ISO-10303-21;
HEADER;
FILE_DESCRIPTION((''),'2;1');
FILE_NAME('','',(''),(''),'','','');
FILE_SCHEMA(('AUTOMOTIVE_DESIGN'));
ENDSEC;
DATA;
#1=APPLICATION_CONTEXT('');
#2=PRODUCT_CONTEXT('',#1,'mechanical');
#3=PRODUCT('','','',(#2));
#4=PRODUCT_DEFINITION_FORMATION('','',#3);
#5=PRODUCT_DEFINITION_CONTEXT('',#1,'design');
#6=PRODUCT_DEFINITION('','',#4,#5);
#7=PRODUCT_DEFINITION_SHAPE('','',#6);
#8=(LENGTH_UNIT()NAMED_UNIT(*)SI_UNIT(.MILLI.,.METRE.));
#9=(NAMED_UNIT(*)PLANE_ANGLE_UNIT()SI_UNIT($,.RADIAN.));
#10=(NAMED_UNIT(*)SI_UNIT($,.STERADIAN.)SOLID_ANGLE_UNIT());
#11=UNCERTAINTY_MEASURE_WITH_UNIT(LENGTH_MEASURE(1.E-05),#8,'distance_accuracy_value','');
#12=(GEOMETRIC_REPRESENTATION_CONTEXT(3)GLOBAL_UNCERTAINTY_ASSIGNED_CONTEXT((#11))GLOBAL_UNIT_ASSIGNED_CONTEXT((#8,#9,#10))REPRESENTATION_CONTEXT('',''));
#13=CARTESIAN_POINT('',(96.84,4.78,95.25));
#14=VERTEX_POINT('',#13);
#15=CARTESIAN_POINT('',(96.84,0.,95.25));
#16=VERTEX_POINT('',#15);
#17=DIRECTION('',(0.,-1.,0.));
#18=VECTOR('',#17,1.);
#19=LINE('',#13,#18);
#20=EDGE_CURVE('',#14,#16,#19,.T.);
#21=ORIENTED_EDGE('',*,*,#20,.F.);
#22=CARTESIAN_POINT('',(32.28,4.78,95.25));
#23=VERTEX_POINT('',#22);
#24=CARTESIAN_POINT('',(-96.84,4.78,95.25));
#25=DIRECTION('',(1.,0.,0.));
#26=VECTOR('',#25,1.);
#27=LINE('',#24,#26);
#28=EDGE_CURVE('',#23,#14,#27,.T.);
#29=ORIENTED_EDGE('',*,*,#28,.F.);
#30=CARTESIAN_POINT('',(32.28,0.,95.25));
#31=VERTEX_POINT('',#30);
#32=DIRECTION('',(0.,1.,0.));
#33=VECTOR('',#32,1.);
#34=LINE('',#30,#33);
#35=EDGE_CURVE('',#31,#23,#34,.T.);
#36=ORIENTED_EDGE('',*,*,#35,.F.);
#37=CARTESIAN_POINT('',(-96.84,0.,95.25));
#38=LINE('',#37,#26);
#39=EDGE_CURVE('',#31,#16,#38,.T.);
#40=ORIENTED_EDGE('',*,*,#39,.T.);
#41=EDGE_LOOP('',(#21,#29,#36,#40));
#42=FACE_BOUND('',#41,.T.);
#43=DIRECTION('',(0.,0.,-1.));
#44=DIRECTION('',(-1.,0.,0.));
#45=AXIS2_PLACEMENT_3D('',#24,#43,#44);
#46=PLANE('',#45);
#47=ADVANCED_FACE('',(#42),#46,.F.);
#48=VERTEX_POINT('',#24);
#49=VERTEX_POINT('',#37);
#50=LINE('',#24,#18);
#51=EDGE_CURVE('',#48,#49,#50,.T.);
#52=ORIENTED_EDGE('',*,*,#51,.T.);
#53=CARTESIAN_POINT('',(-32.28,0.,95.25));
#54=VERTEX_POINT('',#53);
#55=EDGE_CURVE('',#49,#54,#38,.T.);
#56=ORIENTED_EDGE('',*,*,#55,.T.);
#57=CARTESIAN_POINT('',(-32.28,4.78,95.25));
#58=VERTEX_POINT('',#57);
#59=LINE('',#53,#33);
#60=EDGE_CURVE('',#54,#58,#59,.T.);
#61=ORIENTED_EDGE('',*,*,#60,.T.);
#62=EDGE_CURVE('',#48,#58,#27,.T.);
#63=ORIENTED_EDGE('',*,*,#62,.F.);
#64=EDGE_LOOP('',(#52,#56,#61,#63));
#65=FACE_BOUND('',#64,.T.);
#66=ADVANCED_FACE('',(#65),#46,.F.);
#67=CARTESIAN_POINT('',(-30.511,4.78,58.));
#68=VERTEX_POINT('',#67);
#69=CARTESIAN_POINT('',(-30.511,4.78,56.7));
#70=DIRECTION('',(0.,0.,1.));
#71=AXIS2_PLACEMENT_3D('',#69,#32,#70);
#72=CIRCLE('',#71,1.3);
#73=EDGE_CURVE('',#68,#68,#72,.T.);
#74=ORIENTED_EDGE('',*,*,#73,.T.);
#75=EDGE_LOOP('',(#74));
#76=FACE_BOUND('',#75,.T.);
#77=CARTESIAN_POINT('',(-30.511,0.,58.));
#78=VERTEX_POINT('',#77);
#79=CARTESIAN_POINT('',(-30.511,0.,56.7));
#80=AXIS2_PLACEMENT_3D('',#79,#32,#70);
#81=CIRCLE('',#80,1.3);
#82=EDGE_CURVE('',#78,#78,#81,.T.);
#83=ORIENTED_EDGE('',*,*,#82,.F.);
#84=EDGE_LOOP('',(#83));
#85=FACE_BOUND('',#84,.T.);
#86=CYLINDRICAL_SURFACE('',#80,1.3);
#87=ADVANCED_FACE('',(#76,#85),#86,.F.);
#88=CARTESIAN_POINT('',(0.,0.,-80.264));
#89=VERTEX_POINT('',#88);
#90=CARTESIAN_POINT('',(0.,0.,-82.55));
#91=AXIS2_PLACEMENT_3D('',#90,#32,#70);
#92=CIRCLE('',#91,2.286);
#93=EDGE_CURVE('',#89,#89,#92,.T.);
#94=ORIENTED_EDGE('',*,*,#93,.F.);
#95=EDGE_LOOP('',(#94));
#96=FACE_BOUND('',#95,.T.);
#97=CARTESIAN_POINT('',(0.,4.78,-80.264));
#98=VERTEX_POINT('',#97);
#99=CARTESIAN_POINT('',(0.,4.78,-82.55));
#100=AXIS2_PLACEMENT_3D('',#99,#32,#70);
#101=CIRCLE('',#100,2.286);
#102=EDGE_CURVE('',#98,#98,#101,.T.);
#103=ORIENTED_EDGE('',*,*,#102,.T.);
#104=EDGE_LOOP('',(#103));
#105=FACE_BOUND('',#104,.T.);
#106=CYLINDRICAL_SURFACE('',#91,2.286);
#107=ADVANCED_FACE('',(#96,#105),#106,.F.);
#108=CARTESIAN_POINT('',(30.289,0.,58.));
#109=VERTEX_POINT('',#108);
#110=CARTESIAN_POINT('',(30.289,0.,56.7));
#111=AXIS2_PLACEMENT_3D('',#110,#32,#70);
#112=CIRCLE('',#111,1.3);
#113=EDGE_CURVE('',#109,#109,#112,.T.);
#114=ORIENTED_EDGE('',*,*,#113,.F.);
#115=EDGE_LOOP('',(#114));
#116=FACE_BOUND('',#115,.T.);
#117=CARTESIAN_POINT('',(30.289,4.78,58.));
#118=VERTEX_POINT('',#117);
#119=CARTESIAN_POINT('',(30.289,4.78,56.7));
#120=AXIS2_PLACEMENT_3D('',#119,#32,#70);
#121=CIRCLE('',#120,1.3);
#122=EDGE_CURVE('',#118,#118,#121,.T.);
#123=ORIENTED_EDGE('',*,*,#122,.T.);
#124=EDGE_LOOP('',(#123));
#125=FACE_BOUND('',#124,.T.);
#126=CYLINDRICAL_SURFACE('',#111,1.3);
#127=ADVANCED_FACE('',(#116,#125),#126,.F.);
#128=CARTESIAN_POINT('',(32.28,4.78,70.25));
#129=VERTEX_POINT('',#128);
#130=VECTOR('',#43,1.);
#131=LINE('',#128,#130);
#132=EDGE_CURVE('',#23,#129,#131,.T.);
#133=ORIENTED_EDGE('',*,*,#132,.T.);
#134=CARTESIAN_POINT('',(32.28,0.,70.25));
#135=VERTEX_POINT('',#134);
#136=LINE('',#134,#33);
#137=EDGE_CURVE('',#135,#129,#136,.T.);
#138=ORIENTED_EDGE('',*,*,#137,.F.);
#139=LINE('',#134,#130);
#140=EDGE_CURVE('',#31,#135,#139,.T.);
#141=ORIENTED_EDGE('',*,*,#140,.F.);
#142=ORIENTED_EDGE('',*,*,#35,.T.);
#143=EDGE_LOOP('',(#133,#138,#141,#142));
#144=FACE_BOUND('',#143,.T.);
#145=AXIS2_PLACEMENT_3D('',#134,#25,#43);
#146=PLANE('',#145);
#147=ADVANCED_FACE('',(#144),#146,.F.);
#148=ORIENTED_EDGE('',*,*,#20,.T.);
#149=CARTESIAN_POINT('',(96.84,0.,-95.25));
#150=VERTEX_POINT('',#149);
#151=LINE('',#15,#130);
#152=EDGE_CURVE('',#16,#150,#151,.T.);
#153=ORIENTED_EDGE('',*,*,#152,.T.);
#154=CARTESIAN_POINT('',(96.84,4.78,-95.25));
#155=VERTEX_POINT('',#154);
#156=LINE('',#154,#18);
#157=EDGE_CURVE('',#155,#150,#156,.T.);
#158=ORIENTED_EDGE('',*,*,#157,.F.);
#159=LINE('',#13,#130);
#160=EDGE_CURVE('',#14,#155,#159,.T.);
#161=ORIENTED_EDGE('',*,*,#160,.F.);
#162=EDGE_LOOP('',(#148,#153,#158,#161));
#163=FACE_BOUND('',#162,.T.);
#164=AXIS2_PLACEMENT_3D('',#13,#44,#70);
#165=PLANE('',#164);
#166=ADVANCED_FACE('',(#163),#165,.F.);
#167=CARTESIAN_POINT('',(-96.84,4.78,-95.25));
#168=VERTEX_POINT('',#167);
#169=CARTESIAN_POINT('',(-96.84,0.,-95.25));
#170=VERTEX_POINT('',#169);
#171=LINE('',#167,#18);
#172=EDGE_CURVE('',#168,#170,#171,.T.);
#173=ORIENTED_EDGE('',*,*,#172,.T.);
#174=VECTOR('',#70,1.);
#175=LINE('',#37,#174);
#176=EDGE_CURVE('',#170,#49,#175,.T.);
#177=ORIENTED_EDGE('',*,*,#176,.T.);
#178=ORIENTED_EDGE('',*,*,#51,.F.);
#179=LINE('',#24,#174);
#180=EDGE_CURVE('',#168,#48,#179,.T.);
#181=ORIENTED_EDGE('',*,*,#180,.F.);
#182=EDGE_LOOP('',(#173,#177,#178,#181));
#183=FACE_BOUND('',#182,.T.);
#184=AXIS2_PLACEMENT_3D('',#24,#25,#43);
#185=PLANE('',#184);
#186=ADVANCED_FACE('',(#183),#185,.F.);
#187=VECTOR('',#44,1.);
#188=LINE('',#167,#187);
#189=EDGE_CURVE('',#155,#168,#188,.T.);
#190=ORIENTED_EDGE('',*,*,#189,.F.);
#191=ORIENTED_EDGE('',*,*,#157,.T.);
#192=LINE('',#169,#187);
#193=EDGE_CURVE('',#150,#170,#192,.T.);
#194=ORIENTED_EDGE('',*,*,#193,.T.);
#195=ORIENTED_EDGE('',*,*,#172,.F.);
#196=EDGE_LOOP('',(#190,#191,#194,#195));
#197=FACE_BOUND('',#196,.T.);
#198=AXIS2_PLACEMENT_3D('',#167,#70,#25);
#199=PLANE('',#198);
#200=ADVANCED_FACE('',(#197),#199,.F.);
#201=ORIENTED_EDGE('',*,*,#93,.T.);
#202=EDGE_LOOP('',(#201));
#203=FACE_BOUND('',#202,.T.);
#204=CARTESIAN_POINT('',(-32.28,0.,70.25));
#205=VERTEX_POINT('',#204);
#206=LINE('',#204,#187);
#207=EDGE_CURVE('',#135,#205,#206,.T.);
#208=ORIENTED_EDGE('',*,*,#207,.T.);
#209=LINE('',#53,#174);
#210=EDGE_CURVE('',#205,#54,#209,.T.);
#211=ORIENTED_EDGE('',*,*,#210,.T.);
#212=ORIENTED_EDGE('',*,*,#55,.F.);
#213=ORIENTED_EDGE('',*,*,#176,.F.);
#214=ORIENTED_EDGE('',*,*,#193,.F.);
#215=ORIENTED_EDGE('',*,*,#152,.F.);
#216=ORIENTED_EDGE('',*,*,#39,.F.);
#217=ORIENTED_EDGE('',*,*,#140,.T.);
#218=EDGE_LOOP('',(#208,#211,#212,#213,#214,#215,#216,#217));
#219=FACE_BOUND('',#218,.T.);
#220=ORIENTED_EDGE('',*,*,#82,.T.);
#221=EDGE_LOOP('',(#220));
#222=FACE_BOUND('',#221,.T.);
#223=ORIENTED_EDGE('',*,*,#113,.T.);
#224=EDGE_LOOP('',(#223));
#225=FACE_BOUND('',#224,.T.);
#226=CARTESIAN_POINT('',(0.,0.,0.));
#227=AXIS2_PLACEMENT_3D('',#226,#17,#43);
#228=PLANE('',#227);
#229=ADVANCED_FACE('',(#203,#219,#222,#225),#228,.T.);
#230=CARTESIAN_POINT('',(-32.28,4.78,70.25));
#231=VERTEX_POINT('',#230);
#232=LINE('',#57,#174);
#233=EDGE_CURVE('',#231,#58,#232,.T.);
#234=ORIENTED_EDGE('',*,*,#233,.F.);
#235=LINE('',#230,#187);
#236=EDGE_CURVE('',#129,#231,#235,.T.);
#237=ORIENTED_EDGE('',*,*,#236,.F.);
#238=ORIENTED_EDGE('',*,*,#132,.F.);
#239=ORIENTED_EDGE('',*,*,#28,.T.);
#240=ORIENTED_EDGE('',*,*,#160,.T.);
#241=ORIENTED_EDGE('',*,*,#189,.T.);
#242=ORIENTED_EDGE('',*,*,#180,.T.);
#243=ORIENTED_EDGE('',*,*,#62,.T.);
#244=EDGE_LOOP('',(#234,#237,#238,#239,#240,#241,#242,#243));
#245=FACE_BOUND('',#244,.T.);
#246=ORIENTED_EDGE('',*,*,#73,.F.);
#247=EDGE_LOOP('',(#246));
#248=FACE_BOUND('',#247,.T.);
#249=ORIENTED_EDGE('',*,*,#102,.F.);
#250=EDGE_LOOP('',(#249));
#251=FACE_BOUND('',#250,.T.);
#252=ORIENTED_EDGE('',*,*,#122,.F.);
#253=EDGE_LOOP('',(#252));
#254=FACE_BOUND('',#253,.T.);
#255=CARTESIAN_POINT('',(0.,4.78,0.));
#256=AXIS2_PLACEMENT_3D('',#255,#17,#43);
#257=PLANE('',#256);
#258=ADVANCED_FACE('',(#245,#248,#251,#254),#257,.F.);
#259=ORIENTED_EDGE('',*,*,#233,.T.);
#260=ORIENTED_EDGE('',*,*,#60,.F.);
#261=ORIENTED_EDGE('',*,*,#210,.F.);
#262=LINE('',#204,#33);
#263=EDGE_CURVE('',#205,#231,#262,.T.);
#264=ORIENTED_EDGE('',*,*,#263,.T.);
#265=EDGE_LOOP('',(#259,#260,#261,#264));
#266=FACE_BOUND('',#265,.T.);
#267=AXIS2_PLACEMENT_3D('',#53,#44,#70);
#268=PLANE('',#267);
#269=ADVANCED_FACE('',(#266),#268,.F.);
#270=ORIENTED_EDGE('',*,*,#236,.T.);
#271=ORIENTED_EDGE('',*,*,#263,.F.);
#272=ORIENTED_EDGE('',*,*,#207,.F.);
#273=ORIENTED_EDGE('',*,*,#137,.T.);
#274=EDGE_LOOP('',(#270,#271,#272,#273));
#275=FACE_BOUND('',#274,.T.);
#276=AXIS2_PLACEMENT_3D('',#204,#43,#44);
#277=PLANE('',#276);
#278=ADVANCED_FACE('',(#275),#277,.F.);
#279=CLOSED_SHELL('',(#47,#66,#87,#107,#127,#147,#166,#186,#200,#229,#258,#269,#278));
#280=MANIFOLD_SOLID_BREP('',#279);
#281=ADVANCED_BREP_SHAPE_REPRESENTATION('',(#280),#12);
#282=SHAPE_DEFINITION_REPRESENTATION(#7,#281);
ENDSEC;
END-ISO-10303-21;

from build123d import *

# Parameters (mm, degrees)
SKETCH1_W           = 193.68
SKETCH1_H           = 190.5
BOSS_EXTRUDE1_DEPTH = 4.78
SKETCH2_R           = 2.286
CUT_EXTRUDE1_DEPTH  = 5.78
CUT_EXTRUDE2_DEPTH  = 5.78
SKETCH4_R           = 1.3
CUT_EXTRUDE4_DEPTH  = 5.78


with BuildPart() as part:
    # Sketch1 → Boss-Extrude1 (new body)
    with BuildSketch(Plane(origin=(0, 0, 0), x_dir=(1, 0, 0), z_dir=(0, 1, 0))):
        Rectangle(SKETCH1_W, SKETCH1_H)
    extrude(amount=BOSS_EXTRUDE1_DEPTH)

    # Sketch2 → Cut-Extrude1 (cut, through all)
    with BuildSketch(Plane(origin=(0, 4.78, 0), x_dir=(1, 0, 0), z_dir=(0, 1, 0))):
        with Locations((0, 82.55)):
            Circle(SKETCH2_R)
    extrude(amount=-CUT_EXTRUDE1_DEPTH, mode=Mode.SUBTRACT)

    # Sketch3 → Cut-Extrude2 (cut, through all)
    with BuildSketch(Plane(origin=(0, 4.78, 0), x_dir=(1, 0, 0), z_dir=(0, 1, 0))):
        Polygon((0, -95.25), (-32.28, -95.25), (-32.28, -70.249999962), (32.28, -70.249999962), (32.28, -95.25), align=None)
    extrude(amount=-CUT_EXTRUDE2_DEPTH, mode=Mode.SUBTRACT)

    # Sketch4 → Cut-Extrude4 (cut, through all)
    with BuildSketch(Plane(origin=(0, 4.78, 0), x_dir=(1, 0, 0), z_dir=(0, 1, 0))):
        with Locations((-30.511, -56.699999962)):
            Circle(SKETCH4_R)
        with Locations((30.289, -56.699999962)):
            Circle(SKETCH4_R)
    extrude(amount=-CUT_EXTRUDE4_DEPTH, mode=Mode.SUBTRACT)


solid = part.part
